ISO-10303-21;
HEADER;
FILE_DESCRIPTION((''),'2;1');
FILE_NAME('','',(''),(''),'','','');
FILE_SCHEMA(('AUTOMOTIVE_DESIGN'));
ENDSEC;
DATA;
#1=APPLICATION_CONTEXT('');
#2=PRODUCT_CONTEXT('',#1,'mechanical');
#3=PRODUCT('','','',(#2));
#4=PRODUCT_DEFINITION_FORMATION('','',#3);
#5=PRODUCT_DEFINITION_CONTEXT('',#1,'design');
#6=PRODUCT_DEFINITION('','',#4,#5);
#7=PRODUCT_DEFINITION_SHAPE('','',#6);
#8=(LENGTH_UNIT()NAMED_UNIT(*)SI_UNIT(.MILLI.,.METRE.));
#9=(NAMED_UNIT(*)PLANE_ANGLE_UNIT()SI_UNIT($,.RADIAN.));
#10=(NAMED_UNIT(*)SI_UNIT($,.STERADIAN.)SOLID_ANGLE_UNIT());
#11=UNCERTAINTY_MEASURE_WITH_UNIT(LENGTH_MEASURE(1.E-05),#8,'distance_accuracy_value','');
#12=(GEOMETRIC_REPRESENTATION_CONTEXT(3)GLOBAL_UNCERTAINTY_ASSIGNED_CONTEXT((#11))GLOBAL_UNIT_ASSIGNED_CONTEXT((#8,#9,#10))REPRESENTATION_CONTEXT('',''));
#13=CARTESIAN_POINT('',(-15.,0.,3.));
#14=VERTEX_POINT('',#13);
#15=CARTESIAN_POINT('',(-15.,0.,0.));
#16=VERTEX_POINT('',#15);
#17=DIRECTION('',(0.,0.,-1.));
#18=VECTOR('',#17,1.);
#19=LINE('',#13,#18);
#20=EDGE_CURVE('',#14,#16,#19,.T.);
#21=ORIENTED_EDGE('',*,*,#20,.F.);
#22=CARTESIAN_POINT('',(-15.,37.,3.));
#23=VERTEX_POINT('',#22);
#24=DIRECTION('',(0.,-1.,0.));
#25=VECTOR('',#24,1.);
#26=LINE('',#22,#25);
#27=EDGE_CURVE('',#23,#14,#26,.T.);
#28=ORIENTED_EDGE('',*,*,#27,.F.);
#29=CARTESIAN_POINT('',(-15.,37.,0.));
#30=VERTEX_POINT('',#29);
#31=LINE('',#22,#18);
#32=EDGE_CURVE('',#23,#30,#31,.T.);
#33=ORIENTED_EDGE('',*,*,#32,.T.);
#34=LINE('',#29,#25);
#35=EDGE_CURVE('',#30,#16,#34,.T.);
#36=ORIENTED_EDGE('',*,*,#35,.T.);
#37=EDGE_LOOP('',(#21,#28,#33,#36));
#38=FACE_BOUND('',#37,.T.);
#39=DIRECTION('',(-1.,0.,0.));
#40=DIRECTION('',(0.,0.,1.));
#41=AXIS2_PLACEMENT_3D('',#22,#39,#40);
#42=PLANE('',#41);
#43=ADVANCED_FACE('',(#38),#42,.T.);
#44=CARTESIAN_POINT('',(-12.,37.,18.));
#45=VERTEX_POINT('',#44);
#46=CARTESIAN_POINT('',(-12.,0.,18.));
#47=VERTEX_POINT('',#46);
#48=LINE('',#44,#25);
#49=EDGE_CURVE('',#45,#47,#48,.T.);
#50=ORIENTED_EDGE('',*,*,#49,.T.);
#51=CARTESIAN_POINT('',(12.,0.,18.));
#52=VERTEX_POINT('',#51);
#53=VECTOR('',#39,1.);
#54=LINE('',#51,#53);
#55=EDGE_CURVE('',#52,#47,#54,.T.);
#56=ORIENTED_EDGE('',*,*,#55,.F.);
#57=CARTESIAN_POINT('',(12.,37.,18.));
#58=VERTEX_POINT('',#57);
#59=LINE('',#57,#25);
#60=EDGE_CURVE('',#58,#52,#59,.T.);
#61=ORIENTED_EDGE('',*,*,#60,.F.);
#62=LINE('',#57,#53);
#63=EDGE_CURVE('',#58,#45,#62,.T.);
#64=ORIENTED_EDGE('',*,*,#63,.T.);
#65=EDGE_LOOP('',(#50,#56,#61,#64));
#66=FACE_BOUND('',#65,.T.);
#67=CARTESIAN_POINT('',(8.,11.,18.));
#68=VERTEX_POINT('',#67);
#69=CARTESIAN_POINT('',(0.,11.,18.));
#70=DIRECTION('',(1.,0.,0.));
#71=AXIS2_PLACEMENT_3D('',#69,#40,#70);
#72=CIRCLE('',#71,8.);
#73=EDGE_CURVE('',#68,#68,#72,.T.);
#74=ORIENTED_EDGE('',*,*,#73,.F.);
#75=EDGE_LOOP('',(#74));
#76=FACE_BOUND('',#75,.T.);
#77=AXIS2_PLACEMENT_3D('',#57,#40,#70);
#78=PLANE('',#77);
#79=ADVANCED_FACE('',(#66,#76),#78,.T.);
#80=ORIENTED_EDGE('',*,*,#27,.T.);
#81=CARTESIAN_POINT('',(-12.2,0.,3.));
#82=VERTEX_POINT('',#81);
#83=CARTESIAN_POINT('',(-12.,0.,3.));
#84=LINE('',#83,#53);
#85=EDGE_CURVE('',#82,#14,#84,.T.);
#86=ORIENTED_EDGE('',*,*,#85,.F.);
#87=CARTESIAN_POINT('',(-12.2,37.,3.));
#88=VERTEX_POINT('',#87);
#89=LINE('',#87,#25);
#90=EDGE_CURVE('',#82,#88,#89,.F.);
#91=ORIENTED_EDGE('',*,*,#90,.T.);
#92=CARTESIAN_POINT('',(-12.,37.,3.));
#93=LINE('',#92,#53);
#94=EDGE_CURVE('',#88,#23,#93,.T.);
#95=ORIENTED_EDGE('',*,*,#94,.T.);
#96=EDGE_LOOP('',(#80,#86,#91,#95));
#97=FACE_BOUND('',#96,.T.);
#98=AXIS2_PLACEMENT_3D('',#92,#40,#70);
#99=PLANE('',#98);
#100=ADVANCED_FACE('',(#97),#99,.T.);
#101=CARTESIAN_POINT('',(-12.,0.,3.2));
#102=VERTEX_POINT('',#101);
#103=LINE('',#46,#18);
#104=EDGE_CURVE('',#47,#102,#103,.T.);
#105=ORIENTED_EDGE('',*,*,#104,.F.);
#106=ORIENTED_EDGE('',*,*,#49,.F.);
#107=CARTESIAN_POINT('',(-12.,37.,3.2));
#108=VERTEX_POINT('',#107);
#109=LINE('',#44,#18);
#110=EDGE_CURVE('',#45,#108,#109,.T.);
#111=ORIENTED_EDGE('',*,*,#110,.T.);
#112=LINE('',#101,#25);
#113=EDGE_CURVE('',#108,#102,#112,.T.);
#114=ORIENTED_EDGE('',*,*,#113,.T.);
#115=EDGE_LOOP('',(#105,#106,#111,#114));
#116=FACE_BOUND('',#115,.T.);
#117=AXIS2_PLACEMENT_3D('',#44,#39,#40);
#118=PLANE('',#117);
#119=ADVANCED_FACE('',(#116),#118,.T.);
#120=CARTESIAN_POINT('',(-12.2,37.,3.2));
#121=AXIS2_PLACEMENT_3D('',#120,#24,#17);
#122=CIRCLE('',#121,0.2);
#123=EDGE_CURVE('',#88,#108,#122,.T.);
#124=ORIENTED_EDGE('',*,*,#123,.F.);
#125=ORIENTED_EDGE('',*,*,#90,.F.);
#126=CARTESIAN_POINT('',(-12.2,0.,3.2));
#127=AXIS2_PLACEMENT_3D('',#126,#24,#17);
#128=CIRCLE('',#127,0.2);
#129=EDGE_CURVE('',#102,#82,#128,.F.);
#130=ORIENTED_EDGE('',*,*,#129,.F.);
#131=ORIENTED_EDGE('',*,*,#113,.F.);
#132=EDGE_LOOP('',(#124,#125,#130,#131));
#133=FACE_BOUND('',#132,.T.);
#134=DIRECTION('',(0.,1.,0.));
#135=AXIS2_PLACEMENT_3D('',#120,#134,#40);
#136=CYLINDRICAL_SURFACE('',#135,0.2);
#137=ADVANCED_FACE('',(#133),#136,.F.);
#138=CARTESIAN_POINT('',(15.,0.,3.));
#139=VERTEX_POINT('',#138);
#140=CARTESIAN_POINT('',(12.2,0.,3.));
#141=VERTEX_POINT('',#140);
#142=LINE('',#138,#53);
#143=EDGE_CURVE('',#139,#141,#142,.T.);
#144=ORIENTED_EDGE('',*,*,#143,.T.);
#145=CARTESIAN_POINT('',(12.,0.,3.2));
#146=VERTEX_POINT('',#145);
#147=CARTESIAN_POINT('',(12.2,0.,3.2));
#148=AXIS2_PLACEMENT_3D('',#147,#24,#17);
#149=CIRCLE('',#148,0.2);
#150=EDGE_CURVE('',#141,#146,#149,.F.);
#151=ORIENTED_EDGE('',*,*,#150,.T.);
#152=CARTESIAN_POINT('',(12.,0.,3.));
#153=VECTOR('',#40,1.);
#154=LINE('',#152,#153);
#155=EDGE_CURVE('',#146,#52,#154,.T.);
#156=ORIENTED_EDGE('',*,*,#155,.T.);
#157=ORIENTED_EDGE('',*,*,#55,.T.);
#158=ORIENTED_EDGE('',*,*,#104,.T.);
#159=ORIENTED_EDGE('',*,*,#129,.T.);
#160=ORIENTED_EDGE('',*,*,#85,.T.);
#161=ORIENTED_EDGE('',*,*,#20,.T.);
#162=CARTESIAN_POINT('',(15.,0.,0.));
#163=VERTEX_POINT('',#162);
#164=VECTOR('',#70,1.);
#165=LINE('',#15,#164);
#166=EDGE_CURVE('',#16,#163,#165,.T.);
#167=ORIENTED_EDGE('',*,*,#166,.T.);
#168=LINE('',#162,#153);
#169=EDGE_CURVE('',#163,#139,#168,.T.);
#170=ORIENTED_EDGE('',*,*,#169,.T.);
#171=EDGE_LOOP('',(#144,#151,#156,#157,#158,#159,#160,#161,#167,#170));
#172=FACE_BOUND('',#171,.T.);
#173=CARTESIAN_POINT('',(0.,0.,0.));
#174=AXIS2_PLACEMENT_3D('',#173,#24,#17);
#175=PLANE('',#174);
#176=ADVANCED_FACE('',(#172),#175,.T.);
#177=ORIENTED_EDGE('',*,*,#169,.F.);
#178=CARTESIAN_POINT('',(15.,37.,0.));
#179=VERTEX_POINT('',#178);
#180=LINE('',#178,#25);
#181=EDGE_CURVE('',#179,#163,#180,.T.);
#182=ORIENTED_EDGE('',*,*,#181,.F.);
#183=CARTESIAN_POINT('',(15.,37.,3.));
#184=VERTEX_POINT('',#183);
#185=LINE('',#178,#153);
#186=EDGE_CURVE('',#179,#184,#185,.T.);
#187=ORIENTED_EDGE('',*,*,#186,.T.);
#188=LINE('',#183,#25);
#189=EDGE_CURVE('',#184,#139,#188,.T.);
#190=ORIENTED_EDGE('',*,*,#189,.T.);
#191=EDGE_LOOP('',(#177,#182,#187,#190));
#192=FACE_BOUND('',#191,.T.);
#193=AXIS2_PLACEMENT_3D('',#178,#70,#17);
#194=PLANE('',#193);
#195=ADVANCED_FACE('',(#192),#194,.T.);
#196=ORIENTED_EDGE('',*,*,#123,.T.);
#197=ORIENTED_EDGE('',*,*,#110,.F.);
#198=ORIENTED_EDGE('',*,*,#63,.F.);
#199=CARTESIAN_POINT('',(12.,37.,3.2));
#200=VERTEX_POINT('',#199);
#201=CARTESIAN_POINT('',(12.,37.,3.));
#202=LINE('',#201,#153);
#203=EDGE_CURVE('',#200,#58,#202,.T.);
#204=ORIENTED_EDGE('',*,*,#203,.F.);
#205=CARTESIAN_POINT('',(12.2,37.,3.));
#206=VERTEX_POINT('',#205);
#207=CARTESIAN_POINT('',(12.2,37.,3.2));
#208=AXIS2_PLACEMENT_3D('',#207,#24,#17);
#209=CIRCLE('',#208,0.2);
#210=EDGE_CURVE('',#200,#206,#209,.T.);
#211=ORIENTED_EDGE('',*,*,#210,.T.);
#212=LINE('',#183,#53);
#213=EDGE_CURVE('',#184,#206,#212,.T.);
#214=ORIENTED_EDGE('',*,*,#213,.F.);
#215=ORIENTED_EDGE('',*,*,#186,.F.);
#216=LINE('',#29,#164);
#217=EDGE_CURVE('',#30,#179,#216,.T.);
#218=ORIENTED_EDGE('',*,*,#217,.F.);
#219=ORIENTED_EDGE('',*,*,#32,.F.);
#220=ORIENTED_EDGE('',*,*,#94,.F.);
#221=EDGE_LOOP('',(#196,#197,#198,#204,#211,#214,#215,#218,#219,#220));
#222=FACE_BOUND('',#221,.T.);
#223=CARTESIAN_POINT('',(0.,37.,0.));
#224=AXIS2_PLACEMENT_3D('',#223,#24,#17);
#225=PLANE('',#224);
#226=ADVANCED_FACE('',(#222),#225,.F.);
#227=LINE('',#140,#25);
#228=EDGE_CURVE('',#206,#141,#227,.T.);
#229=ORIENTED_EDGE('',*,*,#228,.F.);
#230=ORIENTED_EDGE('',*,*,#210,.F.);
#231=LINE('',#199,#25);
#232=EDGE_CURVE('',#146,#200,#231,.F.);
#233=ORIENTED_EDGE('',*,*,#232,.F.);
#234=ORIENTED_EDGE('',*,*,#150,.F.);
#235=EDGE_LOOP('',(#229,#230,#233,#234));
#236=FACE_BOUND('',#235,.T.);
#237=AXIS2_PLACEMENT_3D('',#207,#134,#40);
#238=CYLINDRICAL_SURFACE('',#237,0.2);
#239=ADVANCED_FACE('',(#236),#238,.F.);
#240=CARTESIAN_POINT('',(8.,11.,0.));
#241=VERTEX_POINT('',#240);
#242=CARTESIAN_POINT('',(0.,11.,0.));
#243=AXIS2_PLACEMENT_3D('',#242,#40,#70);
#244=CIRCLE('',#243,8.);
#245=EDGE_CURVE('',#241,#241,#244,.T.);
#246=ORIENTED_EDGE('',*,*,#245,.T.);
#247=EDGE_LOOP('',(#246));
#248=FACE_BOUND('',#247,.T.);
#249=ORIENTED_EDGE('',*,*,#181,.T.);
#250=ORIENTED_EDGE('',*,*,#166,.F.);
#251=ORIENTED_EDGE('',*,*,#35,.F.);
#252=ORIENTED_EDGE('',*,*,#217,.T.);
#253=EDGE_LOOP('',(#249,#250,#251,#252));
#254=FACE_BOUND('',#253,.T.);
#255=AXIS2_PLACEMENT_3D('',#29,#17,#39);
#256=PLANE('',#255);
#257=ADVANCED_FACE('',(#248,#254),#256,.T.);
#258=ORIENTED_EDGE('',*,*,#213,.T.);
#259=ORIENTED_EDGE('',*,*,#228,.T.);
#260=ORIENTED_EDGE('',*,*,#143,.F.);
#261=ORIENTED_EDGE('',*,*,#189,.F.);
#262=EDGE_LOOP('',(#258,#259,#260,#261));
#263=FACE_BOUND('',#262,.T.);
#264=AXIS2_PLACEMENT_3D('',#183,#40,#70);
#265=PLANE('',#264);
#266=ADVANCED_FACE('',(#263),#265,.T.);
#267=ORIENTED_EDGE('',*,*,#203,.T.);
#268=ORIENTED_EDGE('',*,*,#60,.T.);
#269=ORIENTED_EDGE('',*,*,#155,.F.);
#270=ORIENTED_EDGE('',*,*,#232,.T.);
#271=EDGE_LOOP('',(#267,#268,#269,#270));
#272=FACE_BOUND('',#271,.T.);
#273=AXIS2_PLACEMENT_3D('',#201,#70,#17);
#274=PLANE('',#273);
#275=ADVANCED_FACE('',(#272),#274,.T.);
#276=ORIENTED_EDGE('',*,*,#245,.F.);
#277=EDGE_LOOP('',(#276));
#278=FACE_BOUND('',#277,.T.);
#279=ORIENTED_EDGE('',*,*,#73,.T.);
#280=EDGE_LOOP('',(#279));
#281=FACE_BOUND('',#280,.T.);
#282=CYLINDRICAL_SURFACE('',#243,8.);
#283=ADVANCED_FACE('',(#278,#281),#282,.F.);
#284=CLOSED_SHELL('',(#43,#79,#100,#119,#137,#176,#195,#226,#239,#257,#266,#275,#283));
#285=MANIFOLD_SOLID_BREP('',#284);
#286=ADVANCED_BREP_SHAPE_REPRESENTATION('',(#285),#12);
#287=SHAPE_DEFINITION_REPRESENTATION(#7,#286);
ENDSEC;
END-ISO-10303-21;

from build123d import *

# Parameters (mm, degrees)
ESTRUSIONE_ESTRUSIONE1_DEPTH = 37
SCHIZZO4_R                   = 8
TAGLIO_ESTRUSIONE1_DEPTH     = 44.794976881
RACCORDO1_R                  = 0.2


with BuildPart() as part:
    # Schizzo1 → Estrusione-Estrusione1 (new body)
    with BuildSketch(Plane(origin=(0, 0, 0), x_dir=(1, 0, 0), z_dir=(0, 1, 0))):
        Polygon((-15, 0), (15, 0), (15, -3), (12, -3), (12, -18), (-12, -18), (-12, -3), (-15, -3), align=None)
    extrude(amount=ESTRUSIONE_ESTRUSIONE1_DEPTH)

    # Schizzo4 → Taglio-Estrusione1 (cut, through all)
    with BuildSketch(Plane.XY.offset(18)):
        with Locations((0, 11)):
            Circle(SCHIZZO4_R)
    extrude(amount=-TAGLIO_ESTRUSIONE1_DEPTH, mode=Mode.SUBTRACT)

    # Raccordo1
    raccordo1_edges = [part.edges().sort_by_distance(p)[0] for p in [
        (12, 18.5, 3),
        (-12, 18.5, 3),
    ]]
    fillet(raccordo1_edges, radius=RACCORDO1_R)


solid = part.part
